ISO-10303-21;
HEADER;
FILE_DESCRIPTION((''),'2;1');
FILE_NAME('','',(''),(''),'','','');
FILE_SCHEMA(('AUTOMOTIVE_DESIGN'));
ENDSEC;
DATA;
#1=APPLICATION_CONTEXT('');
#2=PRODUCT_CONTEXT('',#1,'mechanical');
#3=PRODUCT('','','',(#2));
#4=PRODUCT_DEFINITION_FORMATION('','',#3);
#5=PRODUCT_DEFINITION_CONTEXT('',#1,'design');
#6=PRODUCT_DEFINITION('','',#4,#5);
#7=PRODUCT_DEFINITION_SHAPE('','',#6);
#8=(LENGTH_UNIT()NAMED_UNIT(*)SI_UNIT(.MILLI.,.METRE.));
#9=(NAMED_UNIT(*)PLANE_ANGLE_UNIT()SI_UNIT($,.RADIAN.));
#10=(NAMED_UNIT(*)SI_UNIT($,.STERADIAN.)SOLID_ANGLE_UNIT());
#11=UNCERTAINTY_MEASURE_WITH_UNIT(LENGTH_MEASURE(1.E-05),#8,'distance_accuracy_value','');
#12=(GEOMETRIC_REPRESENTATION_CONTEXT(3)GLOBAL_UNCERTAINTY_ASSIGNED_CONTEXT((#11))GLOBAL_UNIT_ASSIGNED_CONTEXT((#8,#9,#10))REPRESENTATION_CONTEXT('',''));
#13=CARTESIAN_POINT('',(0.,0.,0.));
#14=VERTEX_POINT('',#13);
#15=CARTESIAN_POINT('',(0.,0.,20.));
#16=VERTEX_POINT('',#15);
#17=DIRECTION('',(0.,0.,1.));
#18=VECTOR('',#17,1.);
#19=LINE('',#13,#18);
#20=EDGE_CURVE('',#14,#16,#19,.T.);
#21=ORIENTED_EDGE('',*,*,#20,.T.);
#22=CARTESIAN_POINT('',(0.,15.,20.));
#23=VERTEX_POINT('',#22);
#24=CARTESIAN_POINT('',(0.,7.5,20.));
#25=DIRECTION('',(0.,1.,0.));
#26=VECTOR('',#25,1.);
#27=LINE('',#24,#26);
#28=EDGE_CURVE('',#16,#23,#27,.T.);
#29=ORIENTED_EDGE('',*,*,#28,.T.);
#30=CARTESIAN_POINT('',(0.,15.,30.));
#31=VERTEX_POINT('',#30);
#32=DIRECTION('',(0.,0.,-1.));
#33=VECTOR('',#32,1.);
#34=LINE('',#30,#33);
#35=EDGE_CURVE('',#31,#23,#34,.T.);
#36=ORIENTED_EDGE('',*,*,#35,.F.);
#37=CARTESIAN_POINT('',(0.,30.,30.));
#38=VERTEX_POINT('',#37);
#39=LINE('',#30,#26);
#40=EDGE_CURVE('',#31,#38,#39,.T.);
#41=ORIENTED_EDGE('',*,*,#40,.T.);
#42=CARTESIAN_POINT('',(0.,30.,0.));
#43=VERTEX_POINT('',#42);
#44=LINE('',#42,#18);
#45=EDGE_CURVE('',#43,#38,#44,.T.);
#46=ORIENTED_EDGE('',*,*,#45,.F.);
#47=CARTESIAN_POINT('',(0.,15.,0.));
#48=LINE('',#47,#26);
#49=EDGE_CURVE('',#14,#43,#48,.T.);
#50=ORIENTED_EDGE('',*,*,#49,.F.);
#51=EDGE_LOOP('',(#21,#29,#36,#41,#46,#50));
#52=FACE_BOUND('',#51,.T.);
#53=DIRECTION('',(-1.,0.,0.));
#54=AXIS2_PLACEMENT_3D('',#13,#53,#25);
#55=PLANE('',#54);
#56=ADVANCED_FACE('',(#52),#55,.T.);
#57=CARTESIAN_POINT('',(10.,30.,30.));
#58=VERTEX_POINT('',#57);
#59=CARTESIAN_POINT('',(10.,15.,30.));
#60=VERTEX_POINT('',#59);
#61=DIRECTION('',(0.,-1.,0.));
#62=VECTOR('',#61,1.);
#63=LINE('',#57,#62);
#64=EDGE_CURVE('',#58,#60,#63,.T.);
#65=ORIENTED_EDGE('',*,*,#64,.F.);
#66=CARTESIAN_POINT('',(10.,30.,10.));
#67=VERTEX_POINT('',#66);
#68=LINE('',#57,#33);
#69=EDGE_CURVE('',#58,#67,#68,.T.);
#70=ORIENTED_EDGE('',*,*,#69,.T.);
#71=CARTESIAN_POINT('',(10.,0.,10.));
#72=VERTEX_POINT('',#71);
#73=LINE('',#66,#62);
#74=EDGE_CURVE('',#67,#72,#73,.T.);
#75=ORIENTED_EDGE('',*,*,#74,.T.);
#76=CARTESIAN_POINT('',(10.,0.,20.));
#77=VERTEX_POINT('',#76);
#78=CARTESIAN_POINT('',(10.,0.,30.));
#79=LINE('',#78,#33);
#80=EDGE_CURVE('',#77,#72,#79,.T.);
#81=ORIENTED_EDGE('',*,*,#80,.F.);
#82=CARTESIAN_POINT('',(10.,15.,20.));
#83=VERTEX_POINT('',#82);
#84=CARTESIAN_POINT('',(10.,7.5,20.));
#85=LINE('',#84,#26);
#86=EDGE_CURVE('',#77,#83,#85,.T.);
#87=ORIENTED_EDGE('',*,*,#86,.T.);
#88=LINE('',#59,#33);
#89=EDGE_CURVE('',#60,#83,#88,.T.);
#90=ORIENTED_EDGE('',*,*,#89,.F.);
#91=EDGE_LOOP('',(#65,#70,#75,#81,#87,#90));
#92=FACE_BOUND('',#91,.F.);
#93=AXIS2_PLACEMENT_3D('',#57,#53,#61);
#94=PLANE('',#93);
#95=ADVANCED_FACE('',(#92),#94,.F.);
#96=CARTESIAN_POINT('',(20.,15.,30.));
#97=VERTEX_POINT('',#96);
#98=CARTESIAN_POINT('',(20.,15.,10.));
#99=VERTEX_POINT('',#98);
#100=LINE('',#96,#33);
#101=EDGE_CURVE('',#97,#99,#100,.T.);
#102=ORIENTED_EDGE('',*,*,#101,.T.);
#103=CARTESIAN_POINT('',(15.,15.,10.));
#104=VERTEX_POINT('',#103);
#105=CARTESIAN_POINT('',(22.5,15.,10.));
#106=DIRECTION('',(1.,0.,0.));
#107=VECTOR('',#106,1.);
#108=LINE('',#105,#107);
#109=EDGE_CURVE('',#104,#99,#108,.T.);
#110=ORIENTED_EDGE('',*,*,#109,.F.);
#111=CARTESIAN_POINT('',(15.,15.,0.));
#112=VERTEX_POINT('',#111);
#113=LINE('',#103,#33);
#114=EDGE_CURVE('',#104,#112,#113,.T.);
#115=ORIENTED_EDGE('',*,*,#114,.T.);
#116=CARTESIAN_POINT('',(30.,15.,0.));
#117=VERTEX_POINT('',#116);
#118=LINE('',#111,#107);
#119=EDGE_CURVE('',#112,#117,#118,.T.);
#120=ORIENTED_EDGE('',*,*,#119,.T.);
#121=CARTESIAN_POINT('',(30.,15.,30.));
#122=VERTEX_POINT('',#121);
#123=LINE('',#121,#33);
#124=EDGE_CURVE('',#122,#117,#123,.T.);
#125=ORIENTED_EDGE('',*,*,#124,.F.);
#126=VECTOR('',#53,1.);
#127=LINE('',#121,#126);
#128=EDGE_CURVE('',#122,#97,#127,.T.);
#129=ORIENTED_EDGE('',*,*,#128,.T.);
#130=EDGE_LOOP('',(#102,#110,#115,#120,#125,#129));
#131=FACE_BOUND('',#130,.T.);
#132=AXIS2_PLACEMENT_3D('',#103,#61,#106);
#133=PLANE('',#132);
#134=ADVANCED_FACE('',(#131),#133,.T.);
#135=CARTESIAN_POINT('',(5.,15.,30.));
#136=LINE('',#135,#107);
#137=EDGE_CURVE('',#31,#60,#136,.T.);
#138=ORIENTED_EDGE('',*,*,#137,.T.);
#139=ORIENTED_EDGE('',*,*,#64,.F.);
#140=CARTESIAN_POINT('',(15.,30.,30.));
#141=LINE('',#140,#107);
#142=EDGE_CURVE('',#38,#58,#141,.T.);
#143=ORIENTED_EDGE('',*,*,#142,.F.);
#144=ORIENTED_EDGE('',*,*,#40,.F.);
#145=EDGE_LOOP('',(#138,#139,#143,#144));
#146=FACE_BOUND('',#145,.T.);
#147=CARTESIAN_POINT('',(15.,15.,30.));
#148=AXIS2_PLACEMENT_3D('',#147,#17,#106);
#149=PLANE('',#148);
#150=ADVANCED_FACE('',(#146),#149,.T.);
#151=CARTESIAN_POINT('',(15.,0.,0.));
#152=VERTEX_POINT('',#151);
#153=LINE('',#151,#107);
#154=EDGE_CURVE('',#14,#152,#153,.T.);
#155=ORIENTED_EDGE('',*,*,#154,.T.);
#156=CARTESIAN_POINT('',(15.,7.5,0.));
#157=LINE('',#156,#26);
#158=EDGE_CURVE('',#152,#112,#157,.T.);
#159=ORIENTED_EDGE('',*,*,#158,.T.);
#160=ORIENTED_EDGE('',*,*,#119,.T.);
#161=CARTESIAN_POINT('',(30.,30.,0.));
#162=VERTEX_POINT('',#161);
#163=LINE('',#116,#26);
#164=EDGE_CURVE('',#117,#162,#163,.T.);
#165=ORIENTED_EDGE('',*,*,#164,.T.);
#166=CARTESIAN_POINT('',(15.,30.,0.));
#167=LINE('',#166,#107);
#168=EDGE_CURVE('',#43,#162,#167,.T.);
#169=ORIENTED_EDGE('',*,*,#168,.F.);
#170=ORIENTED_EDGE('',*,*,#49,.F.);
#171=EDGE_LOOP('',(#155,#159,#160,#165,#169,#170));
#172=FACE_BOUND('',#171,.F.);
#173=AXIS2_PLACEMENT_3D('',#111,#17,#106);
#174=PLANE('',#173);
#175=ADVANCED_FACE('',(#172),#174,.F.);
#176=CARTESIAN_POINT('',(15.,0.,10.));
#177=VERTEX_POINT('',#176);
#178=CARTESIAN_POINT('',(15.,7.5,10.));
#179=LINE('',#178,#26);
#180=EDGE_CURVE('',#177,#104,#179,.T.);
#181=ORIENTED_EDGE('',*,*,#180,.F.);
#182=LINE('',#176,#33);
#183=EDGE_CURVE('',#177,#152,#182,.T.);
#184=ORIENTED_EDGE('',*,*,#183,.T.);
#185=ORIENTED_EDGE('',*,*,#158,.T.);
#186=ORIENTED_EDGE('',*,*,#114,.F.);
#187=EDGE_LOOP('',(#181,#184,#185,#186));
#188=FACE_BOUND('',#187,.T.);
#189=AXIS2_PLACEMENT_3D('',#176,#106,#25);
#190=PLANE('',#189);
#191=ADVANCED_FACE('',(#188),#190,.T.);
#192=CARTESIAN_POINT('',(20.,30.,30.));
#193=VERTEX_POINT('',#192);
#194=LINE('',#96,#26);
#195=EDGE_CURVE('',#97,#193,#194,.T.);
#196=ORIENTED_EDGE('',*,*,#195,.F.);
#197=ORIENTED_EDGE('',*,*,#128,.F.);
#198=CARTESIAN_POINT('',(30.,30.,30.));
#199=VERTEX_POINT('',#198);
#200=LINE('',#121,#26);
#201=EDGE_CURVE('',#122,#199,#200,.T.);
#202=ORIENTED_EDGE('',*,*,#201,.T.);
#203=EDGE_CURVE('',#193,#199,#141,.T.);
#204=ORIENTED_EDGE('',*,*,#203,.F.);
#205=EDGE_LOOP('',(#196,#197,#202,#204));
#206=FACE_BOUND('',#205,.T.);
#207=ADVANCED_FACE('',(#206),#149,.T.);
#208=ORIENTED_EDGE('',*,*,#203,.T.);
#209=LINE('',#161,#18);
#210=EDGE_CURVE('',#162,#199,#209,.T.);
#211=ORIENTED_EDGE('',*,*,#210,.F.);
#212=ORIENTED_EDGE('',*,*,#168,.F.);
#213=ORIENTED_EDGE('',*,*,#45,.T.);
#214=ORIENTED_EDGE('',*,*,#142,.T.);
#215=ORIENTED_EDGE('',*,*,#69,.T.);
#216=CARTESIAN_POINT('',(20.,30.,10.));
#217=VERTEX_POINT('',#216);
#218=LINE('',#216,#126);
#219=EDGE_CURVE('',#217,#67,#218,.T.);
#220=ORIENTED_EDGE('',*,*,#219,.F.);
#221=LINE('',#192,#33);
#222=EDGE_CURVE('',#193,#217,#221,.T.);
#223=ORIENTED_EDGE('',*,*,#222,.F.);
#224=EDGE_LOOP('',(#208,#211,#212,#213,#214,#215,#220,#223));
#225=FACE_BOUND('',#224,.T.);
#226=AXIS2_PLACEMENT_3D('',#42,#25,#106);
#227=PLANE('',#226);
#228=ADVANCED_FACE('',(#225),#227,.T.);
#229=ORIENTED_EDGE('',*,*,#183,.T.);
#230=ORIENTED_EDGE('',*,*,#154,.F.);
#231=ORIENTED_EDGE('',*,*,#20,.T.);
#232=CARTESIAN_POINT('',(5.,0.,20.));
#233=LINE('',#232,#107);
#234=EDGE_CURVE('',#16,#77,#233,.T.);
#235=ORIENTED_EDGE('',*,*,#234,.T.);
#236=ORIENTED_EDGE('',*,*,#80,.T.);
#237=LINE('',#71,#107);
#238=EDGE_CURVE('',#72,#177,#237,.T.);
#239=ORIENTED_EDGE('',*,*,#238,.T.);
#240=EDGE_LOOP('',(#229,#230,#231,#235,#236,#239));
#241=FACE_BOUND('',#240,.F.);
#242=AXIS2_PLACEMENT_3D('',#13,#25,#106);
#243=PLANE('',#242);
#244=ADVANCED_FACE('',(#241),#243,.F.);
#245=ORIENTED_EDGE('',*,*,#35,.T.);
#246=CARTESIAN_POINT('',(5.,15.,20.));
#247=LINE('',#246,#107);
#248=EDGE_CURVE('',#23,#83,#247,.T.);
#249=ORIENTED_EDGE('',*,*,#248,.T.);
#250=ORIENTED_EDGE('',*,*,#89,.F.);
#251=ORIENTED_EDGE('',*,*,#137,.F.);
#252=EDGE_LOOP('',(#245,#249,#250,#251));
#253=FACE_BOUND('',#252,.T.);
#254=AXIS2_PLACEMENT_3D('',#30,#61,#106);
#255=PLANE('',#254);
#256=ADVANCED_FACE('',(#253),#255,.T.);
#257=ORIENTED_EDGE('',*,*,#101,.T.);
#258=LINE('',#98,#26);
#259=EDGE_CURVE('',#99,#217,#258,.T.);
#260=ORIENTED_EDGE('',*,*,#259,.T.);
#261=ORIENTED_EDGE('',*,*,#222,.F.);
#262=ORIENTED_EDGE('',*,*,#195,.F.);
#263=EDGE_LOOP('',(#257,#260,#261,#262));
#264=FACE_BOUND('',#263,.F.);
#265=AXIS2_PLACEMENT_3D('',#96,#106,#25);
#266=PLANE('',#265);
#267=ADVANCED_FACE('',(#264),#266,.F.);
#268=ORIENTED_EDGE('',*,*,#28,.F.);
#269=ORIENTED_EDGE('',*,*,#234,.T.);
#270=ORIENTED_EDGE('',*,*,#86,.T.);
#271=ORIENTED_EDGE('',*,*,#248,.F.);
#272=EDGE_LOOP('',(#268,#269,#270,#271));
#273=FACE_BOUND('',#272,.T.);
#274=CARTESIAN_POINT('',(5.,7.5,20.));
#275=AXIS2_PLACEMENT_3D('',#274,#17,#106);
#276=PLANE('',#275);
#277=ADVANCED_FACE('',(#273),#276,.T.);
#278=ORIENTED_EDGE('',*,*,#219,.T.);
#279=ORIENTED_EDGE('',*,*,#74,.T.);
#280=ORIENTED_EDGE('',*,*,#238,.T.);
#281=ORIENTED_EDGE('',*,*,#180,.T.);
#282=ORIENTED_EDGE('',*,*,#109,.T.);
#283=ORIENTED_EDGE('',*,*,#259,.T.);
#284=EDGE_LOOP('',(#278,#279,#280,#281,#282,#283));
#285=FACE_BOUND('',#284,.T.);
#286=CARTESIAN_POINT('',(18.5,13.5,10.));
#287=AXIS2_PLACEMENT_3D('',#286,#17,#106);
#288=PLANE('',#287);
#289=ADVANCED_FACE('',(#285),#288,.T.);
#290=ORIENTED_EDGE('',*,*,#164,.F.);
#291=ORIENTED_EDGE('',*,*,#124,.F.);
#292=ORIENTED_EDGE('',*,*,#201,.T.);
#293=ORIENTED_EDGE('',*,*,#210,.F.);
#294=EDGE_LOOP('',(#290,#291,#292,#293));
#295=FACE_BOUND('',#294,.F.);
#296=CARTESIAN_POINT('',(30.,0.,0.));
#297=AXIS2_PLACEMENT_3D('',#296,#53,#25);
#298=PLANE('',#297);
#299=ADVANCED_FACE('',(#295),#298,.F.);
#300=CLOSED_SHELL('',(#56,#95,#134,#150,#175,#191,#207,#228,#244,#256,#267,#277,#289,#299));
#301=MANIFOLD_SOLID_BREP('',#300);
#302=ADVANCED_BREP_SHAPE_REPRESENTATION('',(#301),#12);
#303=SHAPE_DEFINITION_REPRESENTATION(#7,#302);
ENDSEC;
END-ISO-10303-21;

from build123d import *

# Parameters (mm, degrees)
F0_W     = 30
F0_H     = 30
F1_DEPTH = 30
F3_DEPTH = 20
F4_W     = 15
F4_H     = 15
F5_DEPTH = 10.001
F6_W     = 10
F6_H     = 15
F7_DEPTH = 10


with BuildPart() as f1:
    # F0 (on Top) → F1 (new body)
    with BuildSketch(Plane.XY):
        with Locations((15, 15)):
            Rectangle(F0_W, F0_H)
    extrude(amount=F1_DEPTH)

    # F2 (on face) → F3 (cut)
    with BuildSketch(Plane.XY.offset(30)):
        Polygon((10, 30), (10, 0), (15, 0), (20, 0), (30, 0), (30, 15), (20, 15), (20, 30), align=None)
    extrude(amount=-F3_DEPTH, mode=Mode.SUBTRACT)

    # F4 (on face) → F5 (cut, through all)
    with BuildSketch(Plane.XY.offset(10)):
        with Locations((22.5, 7.5)):
            Rectangle(F4_W, F4_H)
    extrude(amount=-F5_DEPTH, mode=Mode.SUBTRACT)

    # F6 (on face) → F7 (cut)
    with BuildSketch(Plane.XY.offset(30)):
        with Locations((5, 7.5)):
            Rectangle(F6_W, F6_H)
    extrude(amount=-F7_DEPTH, mode=Mode.SUBTRACT)


solid = f1.part
